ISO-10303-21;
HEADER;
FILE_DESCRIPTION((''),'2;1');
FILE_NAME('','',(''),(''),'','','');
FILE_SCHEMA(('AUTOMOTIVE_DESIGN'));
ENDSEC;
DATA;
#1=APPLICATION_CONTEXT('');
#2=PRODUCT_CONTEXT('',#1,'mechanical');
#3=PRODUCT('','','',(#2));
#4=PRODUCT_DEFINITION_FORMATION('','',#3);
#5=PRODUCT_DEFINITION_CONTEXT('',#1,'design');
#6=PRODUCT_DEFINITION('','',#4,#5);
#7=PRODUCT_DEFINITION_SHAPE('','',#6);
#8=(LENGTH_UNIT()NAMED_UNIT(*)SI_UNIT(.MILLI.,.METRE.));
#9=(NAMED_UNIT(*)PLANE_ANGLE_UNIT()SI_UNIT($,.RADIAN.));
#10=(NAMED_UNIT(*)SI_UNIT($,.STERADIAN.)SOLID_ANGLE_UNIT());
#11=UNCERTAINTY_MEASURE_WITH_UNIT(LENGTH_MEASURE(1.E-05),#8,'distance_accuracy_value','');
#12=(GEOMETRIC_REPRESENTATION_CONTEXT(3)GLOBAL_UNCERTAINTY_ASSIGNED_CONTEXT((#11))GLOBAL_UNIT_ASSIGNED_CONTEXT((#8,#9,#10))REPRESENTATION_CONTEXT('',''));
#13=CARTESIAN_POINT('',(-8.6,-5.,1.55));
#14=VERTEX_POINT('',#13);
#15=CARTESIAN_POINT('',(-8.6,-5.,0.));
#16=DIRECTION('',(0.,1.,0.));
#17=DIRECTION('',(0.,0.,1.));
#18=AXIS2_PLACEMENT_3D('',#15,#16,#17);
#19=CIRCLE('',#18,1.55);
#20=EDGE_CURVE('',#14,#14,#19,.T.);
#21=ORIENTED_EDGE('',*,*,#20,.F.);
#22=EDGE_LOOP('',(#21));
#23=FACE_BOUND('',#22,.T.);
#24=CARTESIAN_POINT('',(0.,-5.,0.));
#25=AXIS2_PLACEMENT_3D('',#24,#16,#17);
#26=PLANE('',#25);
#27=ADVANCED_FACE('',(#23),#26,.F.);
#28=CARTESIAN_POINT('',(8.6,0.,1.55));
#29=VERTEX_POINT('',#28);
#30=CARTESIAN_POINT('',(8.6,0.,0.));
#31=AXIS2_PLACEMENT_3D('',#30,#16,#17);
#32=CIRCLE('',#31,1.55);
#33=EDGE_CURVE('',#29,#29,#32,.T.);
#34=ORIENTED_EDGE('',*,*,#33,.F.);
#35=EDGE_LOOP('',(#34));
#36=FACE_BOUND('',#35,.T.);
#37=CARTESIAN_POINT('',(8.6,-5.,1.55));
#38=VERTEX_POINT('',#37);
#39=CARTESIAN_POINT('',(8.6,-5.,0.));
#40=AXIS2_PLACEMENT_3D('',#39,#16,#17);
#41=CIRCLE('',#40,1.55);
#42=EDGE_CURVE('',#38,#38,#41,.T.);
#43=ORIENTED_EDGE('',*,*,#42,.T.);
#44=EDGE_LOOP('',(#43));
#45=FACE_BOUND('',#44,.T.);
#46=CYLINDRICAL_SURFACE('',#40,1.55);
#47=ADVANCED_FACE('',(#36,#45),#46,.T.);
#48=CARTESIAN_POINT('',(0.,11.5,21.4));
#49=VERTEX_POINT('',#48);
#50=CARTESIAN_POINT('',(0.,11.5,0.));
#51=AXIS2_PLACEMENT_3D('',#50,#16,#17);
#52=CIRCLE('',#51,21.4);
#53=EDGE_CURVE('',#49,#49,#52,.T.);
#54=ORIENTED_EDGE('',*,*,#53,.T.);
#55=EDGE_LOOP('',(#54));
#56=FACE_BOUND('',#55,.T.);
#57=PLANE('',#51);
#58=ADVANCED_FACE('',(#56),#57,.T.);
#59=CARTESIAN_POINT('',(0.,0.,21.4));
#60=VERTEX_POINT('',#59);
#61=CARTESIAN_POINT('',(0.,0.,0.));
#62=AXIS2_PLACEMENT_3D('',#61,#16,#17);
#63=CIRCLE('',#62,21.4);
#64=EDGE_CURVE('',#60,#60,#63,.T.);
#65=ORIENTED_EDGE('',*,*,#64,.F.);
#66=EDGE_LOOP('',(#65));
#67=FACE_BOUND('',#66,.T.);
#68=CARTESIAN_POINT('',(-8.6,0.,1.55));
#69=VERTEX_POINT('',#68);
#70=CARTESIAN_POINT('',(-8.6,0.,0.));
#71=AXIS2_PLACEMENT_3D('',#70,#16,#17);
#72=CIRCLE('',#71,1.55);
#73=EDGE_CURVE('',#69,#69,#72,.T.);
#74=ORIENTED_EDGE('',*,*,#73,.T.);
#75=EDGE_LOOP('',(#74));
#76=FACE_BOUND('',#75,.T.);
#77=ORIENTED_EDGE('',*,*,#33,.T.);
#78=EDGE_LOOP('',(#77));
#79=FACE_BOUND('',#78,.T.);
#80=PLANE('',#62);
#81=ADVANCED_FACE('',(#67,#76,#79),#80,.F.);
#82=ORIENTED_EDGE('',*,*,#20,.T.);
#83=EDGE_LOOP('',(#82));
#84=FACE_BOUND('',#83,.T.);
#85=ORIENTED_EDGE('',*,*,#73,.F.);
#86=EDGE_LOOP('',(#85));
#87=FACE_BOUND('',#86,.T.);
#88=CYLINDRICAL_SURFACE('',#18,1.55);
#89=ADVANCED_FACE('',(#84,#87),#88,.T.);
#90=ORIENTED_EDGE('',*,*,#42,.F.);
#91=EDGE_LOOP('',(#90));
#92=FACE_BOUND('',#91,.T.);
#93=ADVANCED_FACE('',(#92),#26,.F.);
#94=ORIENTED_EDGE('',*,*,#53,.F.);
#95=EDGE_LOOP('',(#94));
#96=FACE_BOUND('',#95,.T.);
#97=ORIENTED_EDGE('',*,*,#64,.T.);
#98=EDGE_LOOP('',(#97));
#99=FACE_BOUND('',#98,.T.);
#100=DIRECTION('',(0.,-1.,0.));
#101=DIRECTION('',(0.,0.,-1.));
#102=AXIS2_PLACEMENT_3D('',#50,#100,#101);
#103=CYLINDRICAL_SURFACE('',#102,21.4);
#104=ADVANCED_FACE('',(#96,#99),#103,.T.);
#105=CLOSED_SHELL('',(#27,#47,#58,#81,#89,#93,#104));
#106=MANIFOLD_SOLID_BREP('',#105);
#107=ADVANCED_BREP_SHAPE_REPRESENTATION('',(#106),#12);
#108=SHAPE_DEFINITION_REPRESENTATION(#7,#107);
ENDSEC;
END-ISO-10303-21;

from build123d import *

# Parameters (mm, degrees)
SKETCH1_R                = 21.4
SKETCH1_R_2              = 1.55
BOSS_EXTRUDE1_DEPTH      = 11.5
BOSS_EXTRUDE2_DEPTH      = 11.5
BOSS_EXTRUDE2_DEPTH_BACK = 5
SKETCH1_3_R              = 1.55


with BuildPart() as part:
    # Sketch1 → Boss-Extrude1 (new body)
    with BuildSketch(Plane(origin=(0, 0, 0), x_dir=(1, 0, 0), z_dir=(0, 1, 0))):
        Circle(SKETCH1_R)
        with Locations((-8.6, 0)):
            Circle(SKETCH1_R_2, mode=Mode.SUBTRACT)
        with Locations((8.6, 0)):
            Circle(SKETCH1_R_2, mode=Mode.SUBTRACT)
    extrude(amount=BOSS_EXTRUDE1_DEPTH)

    # Sketch1<3> → Boss-Extrude2 (add, two sides: drawn at the far end of the back side and taken through both)
    with BuildSketch(Plane(origin=(0, 0, 0), x_dir=(1, 0, 0), z_dir=(0, 1, 0)).offset(-BOSS_EXTRUDE2_DEPTH_BACK)):
        with Locations((8.6, 0)):
            Circle(SKETCH1_3_R)
        with Locations((-8.6, 0)):
            Circle(SKETCH1_3_R)
    extrude(amount=BOSS_EXTRUDE2_DEPTH + BOSS_EXTRUDE2_DEPTH_BACK)


solid = part.part
